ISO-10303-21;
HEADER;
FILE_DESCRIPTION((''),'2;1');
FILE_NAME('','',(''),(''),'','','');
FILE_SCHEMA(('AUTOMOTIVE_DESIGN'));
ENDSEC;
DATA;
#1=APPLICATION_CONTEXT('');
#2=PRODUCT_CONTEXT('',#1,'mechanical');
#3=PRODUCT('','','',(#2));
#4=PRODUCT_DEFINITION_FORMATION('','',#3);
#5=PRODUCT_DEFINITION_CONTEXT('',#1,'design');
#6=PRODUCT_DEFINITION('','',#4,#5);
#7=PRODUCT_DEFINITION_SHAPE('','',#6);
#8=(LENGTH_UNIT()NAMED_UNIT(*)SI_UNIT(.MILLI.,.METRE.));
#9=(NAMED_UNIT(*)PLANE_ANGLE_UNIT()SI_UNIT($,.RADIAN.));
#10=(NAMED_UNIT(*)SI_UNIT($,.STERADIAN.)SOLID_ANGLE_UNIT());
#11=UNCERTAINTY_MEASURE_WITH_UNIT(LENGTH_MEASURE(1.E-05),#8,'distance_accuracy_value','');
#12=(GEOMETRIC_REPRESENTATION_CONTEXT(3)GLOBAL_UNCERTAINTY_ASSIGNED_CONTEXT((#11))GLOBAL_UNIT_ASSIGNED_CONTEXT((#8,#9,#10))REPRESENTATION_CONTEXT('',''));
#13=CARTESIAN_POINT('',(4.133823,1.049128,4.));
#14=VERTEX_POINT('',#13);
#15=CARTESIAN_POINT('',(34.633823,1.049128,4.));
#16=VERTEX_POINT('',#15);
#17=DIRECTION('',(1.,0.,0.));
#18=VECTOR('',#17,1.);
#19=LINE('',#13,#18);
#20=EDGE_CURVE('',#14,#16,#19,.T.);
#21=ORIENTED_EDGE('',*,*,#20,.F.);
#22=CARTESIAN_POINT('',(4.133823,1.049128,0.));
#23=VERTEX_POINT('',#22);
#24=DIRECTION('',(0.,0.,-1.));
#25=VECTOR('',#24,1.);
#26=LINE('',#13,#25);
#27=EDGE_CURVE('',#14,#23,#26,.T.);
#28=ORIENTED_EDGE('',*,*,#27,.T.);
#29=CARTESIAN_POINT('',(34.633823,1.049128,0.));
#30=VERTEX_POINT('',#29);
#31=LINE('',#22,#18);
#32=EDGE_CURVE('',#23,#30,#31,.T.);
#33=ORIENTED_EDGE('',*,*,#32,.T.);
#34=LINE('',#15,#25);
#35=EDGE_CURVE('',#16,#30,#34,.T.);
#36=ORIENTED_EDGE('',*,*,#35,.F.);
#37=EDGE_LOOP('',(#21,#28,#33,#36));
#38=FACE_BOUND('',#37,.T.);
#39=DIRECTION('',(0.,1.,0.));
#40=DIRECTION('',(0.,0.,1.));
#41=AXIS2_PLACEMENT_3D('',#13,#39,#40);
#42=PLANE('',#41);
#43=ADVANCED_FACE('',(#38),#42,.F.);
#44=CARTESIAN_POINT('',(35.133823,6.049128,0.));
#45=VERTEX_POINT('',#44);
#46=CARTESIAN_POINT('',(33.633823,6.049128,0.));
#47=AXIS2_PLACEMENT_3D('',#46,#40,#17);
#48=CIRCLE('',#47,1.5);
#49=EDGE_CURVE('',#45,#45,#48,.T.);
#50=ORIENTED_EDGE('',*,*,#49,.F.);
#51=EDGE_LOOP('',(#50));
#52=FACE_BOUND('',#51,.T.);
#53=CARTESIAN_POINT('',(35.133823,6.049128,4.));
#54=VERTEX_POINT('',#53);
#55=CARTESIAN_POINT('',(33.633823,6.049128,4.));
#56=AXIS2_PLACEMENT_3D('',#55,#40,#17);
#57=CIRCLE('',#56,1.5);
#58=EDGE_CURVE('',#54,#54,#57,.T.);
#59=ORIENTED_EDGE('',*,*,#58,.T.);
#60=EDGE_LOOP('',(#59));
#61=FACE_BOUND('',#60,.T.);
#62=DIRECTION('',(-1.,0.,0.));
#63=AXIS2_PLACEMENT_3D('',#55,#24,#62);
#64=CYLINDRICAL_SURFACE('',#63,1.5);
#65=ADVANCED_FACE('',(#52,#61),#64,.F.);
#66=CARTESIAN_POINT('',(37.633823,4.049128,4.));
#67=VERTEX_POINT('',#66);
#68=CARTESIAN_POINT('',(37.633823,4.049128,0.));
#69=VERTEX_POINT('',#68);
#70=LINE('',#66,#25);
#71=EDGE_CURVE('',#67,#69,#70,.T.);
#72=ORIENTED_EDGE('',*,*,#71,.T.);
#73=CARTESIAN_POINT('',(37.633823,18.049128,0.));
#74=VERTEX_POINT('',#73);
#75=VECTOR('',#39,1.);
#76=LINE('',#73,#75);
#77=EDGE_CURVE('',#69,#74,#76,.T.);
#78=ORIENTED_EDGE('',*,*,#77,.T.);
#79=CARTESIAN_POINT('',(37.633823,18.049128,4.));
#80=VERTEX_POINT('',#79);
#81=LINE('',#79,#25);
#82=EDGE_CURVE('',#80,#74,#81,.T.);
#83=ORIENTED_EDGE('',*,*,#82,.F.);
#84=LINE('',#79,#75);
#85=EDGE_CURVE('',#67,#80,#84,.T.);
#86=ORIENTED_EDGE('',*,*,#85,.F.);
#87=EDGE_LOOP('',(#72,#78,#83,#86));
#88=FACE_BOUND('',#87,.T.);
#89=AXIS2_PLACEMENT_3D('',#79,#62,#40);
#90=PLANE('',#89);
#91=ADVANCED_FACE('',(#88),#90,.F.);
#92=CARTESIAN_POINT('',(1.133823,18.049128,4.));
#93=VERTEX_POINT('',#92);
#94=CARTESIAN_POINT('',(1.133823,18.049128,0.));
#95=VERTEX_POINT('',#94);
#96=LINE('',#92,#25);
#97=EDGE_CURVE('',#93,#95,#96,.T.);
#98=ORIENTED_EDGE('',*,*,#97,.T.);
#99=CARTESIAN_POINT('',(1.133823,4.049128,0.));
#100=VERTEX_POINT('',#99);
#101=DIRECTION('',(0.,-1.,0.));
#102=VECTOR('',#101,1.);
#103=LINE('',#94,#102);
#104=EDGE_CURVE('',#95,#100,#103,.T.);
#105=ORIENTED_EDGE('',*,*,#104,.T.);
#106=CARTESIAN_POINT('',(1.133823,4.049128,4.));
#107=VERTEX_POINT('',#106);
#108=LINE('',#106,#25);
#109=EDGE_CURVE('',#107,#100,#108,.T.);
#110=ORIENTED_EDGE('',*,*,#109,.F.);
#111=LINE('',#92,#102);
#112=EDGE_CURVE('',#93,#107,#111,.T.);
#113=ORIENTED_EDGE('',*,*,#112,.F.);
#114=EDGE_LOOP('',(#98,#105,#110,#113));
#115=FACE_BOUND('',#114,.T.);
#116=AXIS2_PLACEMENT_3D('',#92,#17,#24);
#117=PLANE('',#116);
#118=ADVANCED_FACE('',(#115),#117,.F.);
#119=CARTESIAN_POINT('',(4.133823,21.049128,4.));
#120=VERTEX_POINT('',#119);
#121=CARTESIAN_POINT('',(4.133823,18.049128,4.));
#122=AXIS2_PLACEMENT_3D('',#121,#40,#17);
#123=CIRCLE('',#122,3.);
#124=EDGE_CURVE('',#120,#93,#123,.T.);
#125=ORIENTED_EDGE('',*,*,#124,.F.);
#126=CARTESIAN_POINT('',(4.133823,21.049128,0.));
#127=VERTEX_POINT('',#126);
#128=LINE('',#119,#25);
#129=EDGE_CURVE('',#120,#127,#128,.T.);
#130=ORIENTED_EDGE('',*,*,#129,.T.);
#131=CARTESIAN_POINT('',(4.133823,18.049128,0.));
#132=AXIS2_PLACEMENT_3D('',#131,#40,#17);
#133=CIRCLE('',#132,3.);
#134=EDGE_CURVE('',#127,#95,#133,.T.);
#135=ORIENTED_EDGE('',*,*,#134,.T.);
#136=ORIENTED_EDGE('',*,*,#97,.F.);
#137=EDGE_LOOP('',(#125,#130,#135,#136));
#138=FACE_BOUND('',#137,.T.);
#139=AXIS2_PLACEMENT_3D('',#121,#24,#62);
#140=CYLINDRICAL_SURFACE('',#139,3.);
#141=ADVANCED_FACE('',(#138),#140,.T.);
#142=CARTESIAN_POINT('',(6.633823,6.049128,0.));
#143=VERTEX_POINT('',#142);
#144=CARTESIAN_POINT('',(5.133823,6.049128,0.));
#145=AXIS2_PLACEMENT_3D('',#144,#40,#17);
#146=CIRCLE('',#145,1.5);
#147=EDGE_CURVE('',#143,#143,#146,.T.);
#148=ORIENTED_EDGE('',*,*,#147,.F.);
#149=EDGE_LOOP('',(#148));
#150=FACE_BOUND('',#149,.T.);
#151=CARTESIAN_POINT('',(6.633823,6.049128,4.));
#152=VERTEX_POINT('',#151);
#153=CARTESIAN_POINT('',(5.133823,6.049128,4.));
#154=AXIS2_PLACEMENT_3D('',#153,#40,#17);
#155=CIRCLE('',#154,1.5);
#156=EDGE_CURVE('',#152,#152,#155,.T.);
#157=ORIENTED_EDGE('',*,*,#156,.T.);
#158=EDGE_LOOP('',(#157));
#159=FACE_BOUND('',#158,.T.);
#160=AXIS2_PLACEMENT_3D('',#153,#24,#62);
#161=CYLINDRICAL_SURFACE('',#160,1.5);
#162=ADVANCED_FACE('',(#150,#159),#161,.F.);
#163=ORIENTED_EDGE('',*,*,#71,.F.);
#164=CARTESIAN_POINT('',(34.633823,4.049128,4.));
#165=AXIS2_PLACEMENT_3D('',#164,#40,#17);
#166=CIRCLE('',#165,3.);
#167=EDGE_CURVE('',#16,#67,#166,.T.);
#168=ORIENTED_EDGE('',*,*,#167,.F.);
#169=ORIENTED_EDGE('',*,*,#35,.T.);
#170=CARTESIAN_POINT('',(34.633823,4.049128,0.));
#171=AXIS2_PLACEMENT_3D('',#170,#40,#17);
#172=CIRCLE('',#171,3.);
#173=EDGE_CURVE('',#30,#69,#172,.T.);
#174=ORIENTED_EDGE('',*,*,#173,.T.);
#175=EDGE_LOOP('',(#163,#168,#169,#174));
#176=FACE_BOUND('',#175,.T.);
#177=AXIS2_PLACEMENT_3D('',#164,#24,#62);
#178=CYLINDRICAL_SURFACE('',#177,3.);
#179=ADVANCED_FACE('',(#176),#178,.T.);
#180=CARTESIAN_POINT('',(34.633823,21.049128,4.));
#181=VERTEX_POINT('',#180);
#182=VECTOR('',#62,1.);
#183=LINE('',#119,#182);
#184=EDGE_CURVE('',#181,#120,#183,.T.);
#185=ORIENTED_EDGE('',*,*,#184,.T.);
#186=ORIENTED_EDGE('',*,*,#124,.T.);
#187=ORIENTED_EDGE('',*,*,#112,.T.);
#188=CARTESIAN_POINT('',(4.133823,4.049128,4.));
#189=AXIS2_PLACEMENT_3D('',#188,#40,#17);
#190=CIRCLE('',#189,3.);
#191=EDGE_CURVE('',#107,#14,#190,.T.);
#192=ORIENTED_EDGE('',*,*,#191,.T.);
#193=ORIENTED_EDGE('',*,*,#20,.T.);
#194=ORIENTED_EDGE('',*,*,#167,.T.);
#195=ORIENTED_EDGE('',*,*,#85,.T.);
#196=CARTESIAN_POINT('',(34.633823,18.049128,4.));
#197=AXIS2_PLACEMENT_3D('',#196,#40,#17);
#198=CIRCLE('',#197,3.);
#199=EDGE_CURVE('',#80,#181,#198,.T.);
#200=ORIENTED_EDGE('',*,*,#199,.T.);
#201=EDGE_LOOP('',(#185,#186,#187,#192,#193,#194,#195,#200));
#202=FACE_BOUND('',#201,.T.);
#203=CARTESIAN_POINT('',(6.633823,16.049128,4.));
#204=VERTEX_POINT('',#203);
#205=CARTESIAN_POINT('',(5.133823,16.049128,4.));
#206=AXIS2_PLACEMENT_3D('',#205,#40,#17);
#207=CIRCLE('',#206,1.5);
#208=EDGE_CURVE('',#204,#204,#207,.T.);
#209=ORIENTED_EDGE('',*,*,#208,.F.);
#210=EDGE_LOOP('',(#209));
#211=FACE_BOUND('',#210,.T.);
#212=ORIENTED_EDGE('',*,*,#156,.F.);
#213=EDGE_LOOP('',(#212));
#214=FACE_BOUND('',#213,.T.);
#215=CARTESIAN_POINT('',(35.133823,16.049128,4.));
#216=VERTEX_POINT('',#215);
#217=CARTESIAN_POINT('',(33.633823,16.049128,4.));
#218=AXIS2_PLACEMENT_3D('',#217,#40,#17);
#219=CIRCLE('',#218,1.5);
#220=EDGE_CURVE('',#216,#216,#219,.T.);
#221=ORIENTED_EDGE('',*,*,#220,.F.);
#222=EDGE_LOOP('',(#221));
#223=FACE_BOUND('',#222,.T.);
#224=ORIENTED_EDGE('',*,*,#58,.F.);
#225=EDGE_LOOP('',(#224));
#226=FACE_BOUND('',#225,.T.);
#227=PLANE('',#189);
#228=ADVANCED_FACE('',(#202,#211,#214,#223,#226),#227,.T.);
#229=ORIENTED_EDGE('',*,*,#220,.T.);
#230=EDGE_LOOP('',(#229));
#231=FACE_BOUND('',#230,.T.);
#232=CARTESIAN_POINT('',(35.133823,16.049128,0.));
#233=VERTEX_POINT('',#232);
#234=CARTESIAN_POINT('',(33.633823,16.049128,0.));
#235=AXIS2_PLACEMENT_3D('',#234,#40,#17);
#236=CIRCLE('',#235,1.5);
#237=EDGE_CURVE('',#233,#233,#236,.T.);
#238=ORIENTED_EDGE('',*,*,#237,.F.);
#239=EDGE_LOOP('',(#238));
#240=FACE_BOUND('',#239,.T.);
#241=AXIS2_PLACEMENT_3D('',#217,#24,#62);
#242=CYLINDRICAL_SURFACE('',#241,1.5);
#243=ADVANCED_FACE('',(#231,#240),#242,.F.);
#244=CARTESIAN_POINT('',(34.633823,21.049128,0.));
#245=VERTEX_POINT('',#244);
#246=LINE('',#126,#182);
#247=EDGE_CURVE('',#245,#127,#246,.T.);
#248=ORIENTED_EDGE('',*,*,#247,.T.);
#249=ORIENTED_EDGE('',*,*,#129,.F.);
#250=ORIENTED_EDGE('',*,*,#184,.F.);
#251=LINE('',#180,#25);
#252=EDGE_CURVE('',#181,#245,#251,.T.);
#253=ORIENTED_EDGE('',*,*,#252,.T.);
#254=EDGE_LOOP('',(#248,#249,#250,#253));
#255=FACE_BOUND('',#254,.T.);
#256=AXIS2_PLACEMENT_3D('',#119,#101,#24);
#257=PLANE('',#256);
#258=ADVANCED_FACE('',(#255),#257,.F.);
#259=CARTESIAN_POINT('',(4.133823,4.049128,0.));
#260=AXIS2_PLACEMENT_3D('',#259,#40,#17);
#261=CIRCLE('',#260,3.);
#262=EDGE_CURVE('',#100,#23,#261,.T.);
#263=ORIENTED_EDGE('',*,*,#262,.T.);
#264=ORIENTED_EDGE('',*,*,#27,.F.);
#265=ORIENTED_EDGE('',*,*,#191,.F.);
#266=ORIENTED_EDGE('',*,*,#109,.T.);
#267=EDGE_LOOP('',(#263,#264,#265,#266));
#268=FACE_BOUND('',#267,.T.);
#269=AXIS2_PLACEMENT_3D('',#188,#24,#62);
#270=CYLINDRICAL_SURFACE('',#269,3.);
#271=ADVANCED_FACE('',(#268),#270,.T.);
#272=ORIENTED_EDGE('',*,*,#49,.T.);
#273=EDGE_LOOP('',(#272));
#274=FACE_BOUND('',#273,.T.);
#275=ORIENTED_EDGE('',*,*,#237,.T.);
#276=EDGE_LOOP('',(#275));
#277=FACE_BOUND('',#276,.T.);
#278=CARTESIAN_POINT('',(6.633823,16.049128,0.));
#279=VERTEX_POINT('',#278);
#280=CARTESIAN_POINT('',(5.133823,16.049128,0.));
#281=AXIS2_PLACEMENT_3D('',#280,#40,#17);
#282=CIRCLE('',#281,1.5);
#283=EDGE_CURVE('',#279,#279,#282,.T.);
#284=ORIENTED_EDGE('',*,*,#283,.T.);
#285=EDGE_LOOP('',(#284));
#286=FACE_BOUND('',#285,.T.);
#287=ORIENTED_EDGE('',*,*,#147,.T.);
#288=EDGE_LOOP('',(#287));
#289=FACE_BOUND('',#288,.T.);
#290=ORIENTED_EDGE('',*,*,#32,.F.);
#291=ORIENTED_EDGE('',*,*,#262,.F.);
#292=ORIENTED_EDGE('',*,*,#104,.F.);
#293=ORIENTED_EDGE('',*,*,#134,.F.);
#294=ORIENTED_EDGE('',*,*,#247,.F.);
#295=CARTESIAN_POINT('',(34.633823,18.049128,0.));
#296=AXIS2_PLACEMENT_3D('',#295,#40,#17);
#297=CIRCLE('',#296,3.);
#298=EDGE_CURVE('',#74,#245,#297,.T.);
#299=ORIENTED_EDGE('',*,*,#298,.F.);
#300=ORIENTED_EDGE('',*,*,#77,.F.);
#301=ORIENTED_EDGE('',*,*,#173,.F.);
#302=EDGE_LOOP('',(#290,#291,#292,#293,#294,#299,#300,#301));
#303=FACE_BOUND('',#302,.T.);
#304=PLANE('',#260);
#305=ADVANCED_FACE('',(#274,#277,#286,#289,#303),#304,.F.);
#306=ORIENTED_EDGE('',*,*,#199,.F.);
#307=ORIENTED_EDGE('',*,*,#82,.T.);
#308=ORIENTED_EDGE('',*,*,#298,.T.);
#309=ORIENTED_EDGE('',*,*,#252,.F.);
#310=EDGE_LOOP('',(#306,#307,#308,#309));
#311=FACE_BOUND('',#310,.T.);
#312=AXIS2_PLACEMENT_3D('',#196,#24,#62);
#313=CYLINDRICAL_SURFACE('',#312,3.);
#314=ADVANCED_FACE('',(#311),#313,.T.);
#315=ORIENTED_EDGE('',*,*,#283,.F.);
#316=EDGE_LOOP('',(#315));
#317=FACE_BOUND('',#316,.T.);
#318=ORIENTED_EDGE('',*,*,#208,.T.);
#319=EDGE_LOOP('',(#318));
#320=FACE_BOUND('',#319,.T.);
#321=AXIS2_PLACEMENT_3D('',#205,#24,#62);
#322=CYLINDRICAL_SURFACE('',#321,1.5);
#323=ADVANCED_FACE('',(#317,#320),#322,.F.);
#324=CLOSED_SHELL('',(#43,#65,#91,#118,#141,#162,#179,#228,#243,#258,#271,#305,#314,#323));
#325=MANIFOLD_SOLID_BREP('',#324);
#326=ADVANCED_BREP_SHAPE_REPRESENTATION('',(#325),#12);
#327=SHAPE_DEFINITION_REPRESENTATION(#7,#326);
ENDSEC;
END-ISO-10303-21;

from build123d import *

# Parameters (mm, degrees)
SKETCH1_R           = 1.5
BOSS_EXTRUDE1_DEPTH = 4


with BuildPart() as part:
    # Sketch1 → Boss-Extrude1 (new body)
    with BuildSketch(Plane.XY):
        with BuildLine():
            Line((4.133823449, 1.049127926), (34.633823449, 1.049127926))
            ThreePointArc((34.633823449, 1.049127926), (36.755143792, 1.927807582), (37.633823449, 4.049127926))
            Line((37.633823449, 4.049127926), (37.633823449, 18.049127864))
            ThreePointArc((37.633823449, 18.049127864), (36.755143792, 20.170448208), (34.633823449, 21.049127864))
            Line((34.633823449, 21.049127864), (4.133823449, 21.049127864))
            ThreePointArc((4.133823449, 21.049127864), (2.012503105, 20.170448208), (1.133823449, 18.049127864))
            Line((1.133823449, 18.049127864), (1.133823449, 4.049127926))
            ThreePointArc((1.133823449, 4.049127926), (2.012503105, 1.927807582), (4.133823449, 1.049127926))
        make_face()
        with Locations((33.633823449, 16.049127926)):
            Circle(SKETCH1_R, mode=Mode.SUBTRACT)
        with Locations((33.633823449, 6.049127926)):
            Circle(SKETCH1_R, mode=Mode.SUBTRACT)
        with Locations((5.133823449, 16.049127926)):
            Circle(SKETCH1_R, mode=Mode.SUBTRACT)
        with Locations((5.133823449, 6.049127926)):
            Circle(SKETCH1_R, mode=Mode.SUBTRACT)
    extrude(amount=BOSS_EXTRUDE1_DEPTH)


solid = part.part
